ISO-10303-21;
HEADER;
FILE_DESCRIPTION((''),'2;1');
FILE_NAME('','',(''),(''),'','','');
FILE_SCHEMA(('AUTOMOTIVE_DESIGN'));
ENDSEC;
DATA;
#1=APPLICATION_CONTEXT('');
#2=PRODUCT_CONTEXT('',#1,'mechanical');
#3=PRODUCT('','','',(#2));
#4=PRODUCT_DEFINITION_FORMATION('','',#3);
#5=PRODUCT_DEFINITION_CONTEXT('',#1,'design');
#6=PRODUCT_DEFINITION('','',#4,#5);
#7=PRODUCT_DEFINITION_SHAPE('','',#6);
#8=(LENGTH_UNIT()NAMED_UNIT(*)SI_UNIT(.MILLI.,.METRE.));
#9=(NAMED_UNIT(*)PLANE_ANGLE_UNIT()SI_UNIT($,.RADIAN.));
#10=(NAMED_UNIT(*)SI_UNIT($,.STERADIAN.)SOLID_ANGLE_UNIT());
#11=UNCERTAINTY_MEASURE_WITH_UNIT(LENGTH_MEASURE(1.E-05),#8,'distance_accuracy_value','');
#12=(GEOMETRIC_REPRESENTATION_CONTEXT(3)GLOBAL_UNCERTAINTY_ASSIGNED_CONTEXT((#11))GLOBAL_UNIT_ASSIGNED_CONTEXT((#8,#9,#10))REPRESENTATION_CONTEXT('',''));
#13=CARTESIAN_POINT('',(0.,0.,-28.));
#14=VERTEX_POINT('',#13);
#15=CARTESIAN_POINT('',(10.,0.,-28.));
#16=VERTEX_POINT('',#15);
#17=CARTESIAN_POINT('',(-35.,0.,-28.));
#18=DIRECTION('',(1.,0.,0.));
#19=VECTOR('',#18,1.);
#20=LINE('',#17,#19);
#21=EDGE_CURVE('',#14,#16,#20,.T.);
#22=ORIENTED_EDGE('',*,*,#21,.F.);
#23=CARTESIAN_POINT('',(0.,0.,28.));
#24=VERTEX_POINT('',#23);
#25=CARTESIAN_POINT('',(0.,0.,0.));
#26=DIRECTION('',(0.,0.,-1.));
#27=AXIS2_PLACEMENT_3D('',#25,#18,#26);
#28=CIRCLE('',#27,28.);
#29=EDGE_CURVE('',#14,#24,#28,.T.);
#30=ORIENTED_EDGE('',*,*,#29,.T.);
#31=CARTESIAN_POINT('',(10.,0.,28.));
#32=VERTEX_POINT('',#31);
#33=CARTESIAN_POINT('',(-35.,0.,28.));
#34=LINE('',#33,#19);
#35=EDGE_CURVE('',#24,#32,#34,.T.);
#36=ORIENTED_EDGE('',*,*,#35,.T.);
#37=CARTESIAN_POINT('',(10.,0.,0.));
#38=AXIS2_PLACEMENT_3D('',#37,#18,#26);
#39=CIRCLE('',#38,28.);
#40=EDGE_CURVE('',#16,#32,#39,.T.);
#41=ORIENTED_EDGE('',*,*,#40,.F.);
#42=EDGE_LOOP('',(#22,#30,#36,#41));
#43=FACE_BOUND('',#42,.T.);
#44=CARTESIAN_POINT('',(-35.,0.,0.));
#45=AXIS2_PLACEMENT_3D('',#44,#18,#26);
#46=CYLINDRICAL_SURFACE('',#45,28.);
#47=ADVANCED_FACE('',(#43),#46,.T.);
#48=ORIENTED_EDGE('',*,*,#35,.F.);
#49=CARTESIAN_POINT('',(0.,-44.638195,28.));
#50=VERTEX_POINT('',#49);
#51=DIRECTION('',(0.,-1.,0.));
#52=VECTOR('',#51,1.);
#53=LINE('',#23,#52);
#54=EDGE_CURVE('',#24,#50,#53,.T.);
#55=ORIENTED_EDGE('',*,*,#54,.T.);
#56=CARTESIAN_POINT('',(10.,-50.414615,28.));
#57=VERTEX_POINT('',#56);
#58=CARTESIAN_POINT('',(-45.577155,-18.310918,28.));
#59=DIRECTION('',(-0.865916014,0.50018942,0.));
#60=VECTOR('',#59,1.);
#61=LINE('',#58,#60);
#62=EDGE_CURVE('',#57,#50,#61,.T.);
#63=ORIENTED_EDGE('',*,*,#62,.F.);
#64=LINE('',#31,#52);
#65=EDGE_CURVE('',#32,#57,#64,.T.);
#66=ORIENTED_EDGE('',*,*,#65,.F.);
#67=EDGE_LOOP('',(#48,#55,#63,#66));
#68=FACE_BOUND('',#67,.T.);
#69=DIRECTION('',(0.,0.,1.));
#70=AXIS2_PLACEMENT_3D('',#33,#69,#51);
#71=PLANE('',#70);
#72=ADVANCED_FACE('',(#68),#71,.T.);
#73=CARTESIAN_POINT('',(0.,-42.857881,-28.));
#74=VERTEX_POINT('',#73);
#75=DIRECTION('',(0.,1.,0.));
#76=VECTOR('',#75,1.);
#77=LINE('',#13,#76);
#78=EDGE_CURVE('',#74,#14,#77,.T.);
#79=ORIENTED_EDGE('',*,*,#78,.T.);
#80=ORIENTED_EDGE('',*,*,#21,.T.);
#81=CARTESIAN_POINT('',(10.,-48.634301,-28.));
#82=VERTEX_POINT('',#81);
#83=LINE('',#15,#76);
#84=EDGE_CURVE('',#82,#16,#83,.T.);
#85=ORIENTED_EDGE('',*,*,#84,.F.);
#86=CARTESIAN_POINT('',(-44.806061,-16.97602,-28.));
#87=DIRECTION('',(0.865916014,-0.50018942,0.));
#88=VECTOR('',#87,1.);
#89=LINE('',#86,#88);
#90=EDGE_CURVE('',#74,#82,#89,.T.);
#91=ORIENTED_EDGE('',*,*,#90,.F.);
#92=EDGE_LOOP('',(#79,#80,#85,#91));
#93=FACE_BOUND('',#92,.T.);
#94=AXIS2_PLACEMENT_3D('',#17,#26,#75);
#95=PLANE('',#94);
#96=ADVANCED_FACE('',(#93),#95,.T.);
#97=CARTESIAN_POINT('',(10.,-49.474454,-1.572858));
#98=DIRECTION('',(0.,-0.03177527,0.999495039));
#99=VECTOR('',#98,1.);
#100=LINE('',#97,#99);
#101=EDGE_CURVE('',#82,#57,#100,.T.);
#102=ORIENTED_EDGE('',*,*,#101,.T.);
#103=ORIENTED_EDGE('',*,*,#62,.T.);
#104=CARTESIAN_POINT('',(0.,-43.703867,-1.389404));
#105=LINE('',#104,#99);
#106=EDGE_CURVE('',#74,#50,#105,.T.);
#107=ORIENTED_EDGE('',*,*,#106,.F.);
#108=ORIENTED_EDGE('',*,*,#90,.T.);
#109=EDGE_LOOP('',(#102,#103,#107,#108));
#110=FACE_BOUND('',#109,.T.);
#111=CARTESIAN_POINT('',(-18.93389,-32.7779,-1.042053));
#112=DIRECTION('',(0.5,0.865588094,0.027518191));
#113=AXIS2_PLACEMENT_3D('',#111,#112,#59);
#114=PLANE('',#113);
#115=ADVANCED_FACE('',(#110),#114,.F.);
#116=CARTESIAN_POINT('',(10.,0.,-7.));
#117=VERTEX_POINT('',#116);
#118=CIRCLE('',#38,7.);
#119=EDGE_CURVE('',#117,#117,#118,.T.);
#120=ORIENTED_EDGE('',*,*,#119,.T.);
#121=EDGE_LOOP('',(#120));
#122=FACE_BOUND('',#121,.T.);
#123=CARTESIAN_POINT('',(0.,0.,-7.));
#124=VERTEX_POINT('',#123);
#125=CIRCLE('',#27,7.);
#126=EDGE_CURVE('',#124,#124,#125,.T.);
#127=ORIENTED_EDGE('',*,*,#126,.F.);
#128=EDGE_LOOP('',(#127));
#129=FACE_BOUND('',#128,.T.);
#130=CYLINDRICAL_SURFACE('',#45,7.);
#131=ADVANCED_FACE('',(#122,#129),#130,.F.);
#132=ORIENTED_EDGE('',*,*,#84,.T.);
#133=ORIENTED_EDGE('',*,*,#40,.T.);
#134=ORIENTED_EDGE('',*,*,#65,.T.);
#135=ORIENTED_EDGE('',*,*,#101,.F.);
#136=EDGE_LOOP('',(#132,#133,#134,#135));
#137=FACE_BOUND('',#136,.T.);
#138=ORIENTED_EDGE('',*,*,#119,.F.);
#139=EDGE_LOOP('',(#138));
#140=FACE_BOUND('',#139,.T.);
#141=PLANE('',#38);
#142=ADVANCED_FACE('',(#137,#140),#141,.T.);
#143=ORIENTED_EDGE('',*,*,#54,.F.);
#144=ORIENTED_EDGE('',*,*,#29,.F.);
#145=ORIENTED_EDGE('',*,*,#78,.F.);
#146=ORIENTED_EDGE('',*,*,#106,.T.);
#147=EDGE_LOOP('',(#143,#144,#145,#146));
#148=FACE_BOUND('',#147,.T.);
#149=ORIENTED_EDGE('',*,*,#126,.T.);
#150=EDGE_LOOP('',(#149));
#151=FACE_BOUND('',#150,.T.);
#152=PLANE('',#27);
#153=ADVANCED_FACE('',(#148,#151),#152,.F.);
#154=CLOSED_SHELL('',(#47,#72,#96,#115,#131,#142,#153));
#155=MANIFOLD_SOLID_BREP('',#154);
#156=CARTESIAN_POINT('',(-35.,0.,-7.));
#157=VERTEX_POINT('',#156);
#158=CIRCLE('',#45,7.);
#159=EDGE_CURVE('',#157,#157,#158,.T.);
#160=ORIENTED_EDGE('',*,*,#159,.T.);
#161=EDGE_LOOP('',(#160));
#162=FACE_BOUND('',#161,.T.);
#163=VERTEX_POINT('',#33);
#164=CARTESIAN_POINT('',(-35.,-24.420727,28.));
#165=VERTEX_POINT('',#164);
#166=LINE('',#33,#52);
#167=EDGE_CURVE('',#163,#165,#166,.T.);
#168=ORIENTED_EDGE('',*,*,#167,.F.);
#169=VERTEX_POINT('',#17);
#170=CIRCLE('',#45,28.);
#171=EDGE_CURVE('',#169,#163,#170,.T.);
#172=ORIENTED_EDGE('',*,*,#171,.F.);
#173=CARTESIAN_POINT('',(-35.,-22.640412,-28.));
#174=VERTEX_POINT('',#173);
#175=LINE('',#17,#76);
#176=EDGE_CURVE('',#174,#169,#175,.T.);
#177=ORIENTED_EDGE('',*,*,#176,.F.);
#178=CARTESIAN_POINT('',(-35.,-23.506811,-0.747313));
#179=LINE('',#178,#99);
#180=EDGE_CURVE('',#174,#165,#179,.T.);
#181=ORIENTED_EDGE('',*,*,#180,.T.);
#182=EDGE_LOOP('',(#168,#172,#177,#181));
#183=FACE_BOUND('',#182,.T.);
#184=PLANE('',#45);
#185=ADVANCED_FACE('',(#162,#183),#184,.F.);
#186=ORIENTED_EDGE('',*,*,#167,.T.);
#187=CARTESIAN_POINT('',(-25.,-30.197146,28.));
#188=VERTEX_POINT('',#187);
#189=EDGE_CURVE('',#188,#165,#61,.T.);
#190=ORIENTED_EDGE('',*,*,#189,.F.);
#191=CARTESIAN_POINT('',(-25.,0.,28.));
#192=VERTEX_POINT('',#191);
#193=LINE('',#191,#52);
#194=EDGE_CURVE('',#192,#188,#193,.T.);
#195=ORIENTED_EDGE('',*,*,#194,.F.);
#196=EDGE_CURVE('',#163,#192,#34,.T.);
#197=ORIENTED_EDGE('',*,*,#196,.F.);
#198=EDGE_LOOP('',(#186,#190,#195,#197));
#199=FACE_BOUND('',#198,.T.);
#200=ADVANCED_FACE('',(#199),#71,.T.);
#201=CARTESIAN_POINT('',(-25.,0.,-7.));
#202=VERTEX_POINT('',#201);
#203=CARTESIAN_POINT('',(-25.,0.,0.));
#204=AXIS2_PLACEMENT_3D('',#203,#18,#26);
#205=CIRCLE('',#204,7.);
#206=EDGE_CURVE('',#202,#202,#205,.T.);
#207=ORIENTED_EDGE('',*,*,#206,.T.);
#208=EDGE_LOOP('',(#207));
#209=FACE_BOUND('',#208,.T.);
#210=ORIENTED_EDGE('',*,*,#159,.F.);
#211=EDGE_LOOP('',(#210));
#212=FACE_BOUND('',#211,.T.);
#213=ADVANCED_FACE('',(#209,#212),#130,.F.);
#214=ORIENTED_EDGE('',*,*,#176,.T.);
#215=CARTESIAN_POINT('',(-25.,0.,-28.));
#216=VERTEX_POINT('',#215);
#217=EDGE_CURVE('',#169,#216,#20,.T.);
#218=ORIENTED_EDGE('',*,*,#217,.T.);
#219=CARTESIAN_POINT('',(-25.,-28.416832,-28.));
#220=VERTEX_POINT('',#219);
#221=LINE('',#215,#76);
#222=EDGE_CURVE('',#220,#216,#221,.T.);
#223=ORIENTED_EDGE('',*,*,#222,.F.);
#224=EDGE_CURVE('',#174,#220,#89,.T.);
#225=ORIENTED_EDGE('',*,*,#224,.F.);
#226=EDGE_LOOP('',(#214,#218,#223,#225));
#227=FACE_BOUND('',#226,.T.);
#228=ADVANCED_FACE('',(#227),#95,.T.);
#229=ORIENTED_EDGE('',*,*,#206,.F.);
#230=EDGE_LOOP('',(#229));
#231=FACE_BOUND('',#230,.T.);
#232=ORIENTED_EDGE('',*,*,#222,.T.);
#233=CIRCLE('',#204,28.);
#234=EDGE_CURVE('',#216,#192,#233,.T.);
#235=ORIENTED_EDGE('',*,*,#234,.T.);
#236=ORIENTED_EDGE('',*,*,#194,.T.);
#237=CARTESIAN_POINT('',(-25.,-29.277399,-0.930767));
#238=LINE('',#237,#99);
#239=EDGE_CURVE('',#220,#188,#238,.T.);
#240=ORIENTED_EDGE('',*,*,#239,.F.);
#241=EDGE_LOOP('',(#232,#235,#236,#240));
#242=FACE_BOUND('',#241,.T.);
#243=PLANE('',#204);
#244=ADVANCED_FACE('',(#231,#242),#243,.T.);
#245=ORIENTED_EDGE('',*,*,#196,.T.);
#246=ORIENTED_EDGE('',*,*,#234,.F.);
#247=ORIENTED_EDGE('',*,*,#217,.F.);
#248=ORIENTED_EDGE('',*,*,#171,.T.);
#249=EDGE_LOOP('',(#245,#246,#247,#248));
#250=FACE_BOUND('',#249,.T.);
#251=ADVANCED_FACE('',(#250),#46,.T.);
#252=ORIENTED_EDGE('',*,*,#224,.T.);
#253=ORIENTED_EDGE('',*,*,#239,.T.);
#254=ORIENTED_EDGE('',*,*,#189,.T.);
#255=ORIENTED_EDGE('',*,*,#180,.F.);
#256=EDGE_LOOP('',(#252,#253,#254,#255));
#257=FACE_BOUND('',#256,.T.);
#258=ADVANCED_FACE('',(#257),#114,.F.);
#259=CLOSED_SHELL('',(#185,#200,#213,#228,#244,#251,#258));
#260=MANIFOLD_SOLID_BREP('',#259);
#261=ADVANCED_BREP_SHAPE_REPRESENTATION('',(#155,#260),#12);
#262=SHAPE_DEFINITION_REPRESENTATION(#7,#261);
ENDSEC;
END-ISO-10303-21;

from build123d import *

# Parameters (mm, degrees)
EXTRUDE_1_DEPTH      = 10
EXTRUDE_1_DEPTH_BACK = 35
SKETCH_1_R           = 7
CUT_EXTRUDE_START    = -25
SKETCH_1_2_R         = 7
CUT_EXTRUDE_1_DEPTH  = 25
SKETCH_2_R           = 145.556166069
CUT_EXTRUDE_5_DEPTH  = 168


with BuildPart() as part:
    # 草图1 → 凸台-拉伸1 (new, two sides: drawn at the far end of the back side and taken through both)
    with BuildSketch(Plane(origin=(0, 0, 0), x_dir=(0, 0, -1), z_dir=(1, 0, 0)).offset(-EXTRUDE_1_DEPTH_BACK)):
        with BuildLine():
            Line((-28, 0), (-28, -100))
            Line((-28, -100), (28, -100))
            Line((28, -100), (28, 0))
            ThreePointArc((28, 0), (0, 28), (-28, 0))
        make_face()
        Circle(SKETCH_1_R, mode=Mode.SUBTRACT)
    extrude(amount=EXTRUDE_1_DEPTH + EXTRUDE_1_DEPTH_BACK)

    # 草图1<2> → 切除-拉伸1 (cut)
    with BuildSketch(Plane(origin=(0, 0, 0), x_dir=(0, 0, -1), z_dir=(1, 0, 0)).offset(CUT_EXTRUDE_START)):
        with BuildLine():
            Line((-28, 0), (-28, -100))
            Line((-28, -100), (28, -100))
            Line((28, -100), (28, 0))
            ThreePointArc((28, 0), (0, 28), (-28, 0))
        make_face()
        Circle(SKETCH_1_2_R, mode=Mode.SUBTRACT)
    extrude(amount=CUT_EXTRUDE_1_DEPTH, mode=Mode.SUBTRACT)


with BuildPart() as cut_extrude_1_piece_1:
    # of the separate pieces the step leaves, piece 1, a body of its own (cut_extrude_1_pieces)
    add(part.part.solids().sort_by_distance((10, 0, 28))[0])


with BuildPart() as cut_extrude_1_piece_2:
    # of the separate pieces the step leaves, piece 2, a body of its own (cut_extrude_1_pieces)
    add(part.part.solids().sort_by_distance((-25, 0, 28))[0])


with BuildPart() as cut_extrude_5_tool:
    # 草图2 → 切除-拉伸5 (new body)
    with BuildSketch(Plane(origin=(-18.933890419, -32.777900255, -1.04205282), x_dir=(-0.7521898804506026, 0.41831008991821805, 0.5091434497470438), z_dir=(0.49999999999999845, 0.8655880944028659, 0.027518190856543806))):
        Circle(SKETCH_2_R)
    extrude(amount=-CUT_EXTRUDE_5_DEPTH)


with BuildPart() as cut_extrude_1_piece_1_1:
    add(cut_extrude_1_piece_1.part)

    # 切除-拉伸5: cut by cut_extrude_5_tool
    add(cut_extrude_5_tool.part, mode=Mode.SUBTRACT)


with BuildPart() as cut_extrude_1_piece_2_1:
    add(cut_extrude_1_piece_2.part)

    # 切除-拉伸5: cut by cut_extrude_5_tool
    add(cut_extrude_5_tool.part, mode=Mode.SUBTRACT)


solid = Compound([cut_extrude_1_piece_1_1.part, cut_extrude_1_piece_2_1.part])
